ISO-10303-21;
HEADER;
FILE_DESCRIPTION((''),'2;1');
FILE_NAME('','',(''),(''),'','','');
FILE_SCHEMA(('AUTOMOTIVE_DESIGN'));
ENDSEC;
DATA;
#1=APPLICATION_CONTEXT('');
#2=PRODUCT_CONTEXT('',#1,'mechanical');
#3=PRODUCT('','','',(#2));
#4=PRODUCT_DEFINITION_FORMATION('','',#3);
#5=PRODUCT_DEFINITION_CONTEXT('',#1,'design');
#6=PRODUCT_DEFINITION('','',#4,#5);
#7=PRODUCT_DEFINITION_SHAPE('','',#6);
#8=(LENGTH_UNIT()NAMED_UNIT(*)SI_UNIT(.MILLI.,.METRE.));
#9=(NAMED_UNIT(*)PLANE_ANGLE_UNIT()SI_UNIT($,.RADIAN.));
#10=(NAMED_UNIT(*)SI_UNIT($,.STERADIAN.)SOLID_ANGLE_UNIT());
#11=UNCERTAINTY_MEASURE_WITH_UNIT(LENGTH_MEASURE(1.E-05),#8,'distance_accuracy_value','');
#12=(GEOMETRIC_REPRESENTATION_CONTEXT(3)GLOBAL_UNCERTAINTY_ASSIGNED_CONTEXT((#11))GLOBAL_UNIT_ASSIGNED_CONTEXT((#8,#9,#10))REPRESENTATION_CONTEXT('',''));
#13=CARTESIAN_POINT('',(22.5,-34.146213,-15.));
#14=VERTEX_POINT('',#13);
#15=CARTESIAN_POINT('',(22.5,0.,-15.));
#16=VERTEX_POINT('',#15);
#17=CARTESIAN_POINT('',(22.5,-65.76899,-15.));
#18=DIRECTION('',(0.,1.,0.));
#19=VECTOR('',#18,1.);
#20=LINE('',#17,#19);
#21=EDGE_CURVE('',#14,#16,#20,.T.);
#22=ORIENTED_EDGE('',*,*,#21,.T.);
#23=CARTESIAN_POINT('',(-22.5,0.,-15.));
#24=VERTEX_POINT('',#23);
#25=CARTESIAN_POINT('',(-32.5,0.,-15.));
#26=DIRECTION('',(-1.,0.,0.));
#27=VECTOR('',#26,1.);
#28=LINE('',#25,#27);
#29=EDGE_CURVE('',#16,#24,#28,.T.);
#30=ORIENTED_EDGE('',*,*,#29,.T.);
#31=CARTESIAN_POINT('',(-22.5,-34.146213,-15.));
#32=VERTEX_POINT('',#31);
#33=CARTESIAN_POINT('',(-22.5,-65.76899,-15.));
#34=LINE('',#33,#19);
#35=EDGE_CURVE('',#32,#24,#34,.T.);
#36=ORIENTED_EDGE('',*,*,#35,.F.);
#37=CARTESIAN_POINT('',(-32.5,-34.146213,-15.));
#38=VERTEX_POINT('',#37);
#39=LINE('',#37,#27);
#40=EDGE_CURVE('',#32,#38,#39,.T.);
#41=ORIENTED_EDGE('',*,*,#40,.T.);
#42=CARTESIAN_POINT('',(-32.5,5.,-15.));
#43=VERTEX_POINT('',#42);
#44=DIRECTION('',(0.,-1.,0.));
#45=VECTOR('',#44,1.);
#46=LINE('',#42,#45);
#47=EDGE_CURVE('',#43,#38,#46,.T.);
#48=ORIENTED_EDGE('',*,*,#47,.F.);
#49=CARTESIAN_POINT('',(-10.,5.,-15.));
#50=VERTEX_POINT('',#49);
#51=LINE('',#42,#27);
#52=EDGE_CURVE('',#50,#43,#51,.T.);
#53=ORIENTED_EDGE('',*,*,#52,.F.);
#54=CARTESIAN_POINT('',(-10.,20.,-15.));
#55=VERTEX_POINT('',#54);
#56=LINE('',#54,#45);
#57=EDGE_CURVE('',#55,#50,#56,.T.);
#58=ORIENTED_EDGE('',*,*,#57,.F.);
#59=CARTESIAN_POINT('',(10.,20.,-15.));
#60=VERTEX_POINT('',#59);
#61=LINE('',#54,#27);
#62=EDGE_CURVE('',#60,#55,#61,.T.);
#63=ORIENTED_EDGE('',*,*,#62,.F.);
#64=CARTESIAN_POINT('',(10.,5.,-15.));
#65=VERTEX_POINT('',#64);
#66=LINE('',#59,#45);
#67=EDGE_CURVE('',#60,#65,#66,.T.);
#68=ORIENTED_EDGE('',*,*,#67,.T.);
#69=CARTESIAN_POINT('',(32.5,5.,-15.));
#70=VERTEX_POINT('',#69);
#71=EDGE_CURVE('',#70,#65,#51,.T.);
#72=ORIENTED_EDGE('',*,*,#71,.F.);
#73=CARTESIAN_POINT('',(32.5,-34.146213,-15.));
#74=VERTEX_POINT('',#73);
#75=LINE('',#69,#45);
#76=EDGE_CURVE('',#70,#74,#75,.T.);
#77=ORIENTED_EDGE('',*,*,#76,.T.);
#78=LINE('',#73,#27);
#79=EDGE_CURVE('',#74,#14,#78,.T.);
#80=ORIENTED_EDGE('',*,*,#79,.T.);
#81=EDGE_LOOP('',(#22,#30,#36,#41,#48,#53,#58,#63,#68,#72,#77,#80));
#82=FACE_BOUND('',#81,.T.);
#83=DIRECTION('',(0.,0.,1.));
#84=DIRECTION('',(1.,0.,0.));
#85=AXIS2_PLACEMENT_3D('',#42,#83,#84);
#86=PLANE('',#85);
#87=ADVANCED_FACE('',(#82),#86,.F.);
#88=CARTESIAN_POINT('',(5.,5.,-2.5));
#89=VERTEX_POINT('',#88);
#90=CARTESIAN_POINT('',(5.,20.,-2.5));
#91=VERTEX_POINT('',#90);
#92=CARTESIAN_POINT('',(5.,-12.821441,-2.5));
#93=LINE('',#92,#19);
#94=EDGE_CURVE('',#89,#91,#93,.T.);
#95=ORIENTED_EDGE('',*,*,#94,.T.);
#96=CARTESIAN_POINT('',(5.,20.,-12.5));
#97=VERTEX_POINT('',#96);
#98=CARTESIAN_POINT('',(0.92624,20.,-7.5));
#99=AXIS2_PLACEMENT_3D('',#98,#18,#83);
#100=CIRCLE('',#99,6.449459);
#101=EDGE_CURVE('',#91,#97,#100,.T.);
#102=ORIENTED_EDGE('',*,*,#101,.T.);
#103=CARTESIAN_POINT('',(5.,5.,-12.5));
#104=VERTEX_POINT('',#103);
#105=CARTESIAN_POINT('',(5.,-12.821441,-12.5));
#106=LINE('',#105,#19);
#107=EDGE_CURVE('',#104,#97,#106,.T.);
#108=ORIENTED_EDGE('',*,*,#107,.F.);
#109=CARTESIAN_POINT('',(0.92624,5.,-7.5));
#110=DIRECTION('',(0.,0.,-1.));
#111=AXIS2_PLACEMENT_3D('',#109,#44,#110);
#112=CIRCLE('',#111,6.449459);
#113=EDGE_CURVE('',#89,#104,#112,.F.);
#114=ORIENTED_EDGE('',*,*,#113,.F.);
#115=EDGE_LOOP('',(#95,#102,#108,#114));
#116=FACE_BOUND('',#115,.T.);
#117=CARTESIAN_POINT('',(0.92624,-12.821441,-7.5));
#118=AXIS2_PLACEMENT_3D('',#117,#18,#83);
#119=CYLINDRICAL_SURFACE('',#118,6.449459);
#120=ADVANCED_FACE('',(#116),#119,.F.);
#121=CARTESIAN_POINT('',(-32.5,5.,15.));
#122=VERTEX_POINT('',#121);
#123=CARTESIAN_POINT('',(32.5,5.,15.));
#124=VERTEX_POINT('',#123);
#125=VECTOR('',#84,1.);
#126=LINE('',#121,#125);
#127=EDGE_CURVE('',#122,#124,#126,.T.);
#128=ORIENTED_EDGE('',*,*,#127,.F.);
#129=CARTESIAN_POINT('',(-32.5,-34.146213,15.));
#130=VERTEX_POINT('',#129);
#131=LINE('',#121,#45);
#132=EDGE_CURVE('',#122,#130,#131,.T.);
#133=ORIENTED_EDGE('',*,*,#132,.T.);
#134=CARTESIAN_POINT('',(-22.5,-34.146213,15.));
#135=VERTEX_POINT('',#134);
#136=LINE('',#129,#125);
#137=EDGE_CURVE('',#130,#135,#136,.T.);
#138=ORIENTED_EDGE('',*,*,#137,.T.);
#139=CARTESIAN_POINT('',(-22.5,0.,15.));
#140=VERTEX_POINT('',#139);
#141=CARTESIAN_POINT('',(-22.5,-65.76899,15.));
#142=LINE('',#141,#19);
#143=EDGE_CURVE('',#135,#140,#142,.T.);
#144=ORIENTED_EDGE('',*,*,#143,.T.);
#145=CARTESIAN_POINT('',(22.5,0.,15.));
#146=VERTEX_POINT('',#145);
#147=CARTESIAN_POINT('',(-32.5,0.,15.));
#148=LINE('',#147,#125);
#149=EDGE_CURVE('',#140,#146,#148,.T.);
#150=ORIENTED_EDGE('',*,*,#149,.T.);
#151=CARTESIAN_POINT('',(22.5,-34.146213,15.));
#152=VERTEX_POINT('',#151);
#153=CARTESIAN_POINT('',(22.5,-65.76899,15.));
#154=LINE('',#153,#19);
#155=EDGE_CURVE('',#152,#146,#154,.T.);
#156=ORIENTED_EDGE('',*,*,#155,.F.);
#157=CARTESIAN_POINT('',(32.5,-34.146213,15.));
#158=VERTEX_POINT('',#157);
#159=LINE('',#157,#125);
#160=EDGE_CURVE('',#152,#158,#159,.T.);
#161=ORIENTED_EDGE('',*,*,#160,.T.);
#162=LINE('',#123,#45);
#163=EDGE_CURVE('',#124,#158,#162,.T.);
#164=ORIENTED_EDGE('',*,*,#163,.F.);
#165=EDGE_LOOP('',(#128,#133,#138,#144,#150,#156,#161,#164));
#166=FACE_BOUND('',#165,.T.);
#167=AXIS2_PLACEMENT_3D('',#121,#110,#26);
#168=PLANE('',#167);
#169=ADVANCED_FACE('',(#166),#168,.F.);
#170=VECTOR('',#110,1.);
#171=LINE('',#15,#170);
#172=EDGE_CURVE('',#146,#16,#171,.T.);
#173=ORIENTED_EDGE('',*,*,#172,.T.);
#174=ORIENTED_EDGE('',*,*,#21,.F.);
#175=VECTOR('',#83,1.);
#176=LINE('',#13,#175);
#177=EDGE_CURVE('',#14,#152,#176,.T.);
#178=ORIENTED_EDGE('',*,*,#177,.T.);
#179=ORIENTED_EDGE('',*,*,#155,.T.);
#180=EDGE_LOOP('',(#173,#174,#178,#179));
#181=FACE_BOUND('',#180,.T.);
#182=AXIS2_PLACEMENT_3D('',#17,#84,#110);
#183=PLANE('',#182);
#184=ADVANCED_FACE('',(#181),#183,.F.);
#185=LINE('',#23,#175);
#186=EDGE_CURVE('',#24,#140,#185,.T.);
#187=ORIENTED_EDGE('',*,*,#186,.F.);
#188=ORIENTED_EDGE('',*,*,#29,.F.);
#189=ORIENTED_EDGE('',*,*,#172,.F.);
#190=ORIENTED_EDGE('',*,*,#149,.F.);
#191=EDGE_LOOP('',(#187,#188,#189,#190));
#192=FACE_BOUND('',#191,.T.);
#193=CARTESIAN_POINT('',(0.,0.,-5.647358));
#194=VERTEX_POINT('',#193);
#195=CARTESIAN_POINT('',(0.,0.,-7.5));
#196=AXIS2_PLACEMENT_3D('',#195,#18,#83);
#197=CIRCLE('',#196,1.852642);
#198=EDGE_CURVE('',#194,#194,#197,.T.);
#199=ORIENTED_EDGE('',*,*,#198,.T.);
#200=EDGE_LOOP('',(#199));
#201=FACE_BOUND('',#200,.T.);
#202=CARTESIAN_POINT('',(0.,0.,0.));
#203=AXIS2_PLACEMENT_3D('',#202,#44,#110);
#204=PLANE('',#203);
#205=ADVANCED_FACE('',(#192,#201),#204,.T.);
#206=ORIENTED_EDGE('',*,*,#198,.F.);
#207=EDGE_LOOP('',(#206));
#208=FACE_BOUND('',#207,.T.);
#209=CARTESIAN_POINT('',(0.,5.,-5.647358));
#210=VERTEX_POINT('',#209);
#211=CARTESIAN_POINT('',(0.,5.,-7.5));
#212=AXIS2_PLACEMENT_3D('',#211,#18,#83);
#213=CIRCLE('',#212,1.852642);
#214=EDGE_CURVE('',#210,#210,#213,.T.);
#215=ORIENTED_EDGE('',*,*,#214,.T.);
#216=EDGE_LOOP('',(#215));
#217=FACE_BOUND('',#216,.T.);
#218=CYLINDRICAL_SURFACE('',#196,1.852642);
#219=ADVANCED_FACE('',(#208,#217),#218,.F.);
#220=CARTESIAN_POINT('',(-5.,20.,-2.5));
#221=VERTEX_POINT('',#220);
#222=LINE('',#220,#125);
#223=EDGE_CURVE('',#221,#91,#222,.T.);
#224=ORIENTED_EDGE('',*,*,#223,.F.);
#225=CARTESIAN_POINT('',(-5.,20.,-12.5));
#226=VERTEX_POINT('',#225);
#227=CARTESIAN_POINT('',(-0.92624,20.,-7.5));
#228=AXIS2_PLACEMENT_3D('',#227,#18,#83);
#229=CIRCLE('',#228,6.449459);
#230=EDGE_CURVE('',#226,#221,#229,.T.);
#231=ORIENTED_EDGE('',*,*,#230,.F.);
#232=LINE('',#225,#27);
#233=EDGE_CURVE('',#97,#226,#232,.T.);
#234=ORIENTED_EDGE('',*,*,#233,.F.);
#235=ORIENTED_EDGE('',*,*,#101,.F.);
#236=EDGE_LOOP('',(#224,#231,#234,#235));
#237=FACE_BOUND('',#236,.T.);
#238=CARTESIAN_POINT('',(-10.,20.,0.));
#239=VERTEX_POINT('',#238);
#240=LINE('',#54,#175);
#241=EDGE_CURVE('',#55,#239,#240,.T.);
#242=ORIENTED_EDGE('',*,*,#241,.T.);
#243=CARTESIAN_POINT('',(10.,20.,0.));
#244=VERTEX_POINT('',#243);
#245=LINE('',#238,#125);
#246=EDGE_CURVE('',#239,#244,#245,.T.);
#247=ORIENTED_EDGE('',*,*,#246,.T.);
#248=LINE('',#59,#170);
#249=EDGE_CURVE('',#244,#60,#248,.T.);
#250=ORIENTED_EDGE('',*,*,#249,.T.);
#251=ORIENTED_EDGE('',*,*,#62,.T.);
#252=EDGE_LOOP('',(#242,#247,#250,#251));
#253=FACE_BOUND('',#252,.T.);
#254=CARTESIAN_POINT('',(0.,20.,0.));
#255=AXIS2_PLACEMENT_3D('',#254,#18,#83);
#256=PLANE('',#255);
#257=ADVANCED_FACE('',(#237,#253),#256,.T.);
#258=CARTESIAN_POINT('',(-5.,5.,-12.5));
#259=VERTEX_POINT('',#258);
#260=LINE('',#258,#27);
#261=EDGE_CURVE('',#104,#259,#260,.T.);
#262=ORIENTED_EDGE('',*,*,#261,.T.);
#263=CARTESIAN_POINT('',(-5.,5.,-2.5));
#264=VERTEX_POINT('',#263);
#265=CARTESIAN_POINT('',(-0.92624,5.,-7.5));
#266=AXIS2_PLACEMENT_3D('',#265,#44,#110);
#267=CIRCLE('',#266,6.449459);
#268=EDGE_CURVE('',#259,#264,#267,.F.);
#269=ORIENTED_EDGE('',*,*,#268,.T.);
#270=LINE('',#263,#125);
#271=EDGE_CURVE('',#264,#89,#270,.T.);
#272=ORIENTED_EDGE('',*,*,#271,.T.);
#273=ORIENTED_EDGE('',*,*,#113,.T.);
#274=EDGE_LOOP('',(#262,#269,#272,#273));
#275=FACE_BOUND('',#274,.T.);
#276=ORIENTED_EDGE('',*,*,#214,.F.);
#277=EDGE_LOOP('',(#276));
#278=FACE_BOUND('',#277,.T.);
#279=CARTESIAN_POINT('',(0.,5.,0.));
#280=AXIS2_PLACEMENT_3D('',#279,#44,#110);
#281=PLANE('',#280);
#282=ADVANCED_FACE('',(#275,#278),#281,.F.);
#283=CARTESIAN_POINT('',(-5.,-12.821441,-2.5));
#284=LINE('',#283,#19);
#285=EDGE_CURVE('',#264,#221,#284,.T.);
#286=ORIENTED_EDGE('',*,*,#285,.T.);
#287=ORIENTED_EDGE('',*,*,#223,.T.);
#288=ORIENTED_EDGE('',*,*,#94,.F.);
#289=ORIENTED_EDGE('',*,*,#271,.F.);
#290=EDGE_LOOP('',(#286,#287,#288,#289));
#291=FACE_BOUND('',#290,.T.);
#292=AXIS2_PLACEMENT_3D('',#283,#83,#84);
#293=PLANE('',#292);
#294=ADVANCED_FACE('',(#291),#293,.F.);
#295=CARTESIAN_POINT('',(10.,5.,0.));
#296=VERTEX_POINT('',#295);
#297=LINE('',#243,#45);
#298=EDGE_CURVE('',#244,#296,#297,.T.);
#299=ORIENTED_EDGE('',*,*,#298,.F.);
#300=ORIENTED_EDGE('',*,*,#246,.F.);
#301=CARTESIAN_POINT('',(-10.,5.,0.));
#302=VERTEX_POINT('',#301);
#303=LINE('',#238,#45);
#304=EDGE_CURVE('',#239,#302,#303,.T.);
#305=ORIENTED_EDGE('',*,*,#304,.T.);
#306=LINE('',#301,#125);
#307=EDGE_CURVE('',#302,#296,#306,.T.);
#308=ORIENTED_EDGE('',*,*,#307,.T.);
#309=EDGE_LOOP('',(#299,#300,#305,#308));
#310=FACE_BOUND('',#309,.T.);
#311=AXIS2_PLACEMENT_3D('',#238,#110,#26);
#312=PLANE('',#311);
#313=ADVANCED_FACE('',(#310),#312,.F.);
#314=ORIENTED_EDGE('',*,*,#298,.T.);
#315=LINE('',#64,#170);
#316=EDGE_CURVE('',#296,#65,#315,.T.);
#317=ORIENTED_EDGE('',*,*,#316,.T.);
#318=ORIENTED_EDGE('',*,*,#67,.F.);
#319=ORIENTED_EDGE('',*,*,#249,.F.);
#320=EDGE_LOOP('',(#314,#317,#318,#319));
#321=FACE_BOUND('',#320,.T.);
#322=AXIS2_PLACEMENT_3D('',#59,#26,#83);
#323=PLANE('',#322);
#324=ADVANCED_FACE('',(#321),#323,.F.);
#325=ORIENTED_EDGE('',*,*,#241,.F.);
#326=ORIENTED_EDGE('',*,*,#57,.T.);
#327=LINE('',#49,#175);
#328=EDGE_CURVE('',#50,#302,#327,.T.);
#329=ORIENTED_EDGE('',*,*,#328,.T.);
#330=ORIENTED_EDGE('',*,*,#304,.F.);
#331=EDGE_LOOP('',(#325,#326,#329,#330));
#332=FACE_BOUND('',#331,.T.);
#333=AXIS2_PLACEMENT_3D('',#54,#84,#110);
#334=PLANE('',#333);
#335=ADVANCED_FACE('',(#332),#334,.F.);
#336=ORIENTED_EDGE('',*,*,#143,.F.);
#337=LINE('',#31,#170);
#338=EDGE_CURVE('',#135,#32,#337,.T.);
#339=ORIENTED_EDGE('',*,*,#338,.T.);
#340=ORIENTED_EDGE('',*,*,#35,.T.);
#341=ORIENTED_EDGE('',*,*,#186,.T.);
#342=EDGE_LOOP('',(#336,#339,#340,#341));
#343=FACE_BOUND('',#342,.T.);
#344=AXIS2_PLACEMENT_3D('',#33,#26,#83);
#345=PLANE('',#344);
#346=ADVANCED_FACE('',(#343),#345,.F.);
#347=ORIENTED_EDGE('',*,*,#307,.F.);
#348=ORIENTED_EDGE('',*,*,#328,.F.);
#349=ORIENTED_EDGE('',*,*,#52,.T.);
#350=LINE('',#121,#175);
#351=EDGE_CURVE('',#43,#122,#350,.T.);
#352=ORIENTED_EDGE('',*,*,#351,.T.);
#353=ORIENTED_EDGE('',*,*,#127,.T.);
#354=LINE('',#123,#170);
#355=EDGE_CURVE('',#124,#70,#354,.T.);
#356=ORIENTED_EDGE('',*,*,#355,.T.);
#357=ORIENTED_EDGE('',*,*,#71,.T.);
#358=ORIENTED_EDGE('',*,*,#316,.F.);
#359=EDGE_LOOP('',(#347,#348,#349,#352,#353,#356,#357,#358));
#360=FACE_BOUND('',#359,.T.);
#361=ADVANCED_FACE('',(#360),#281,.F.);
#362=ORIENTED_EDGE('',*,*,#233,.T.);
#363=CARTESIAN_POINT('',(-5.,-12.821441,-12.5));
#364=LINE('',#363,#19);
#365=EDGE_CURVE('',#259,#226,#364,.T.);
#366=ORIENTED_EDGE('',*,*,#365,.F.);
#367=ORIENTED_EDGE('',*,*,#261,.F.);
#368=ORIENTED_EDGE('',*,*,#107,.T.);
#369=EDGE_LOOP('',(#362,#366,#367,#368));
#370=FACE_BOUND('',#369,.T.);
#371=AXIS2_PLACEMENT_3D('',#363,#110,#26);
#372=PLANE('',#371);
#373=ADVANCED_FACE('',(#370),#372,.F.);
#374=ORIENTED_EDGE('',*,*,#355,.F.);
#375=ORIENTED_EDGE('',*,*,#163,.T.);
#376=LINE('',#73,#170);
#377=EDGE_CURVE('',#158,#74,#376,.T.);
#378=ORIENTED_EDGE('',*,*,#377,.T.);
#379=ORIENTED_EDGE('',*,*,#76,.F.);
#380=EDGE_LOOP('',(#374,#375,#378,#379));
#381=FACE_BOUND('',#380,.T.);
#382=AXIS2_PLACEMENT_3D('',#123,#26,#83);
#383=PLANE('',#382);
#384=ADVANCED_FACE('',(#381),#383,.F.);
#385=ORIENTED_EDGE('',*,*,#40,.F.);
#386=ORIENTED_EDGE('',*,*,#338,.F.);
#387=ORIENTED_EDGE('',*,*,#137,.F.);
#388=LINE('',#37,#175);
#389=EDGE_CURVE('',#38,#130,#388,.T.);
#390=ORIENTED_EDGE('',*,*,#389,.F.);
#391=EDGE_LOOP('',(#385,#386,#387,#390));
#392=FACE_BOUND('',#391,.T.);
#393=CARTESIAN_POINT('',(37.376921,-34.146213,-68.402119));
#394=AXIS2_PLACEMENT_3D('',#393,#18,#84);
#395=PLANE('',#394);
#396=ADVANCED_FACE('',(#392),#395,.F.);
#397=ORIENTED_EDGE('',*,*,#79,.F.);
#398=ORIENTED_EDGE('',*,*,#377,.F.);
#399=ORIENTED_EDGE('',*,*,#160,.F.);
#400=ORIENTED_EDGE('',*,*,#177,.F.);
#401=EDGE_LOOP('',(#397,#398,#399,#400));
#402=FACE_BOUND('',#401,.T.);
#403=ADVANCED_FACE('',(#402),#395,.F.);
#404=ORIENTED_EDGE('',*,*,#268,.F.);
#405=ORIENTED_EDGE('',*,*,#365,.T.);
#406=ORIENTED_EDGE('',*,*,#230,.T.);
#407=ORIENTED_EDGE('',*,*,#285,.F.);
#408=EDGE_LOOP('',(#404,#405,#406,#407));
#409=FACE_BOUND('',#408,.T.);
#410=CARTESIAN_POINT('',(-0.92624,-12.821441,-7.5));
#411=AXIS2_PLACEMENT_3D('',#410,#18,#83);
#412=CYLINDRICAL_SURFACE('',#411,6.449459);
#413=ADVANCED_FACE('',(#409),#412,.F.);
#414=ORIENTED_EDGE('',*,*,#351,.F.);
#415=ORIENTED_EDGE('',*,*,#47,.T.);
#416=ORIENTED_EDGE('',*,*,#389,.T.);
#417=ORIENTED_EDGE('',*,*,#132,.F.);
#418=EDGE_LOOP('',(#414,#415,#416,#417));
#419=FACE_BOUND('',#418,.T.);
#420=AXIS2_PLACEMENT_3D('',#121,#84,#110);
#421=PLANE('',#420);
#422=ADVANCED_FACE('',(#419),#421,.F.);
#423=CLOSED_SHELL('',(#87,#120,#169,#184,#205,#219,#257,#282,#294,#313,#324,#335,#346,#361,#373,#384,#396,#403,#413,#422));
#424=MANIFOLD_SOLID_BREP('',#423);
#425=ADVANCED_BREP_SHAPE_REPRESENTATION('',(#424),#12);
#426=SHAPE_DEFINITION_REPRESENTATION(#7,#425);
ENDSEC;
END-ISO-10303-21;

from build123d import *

# Parameters (mm, degrees)
SKETCH1_W           = 65
SKETCH1_H           = 30
BOSS_EXTRUDE1_DEPTH = 5
SKETCH2_W           = 20
SKETCH2_H           = 15
BOSS_EXTRUDE2_DEPTH = 15
CUT_EXTRUDE1_DEPTH  = 15
SKETCH4_R           = 1.852641707
CUT_EXTRUDE2_DEPTH  = 39.810436741
SKETCH5_W           = 10
SKETCH5_H           = 30
BOSS_EXTRUDE3_DEPTH = 34.146213


with BuildPart() as part:
    # Sketch1 → Boss-Extrude1 (new body)
    with BuildSketch(Plane(origin=(0, 0, 0), x_dir=(1, 0, 0), z_dir=(0, 1, 0))):
        Rectangle(SKETCH1_W, SKETCH1_H)
    extrude(amount=BOSS_EXTRUDE1_DEPTH)

    # Sketch2 → Boss-Extrude2 (add)
    with BuildSketch(Plane(origin=(0, 5, 0), x_dir=(1, 0, 0), z_dir=(0, 1, 0))):
        with Locations((0, 7.5)):
            Rectangle(SKETCH2_W, SKETCH2_H)
    extrude(amount=BOSS_EXTRUDE2_DEPTH)

    # Sketch3 → Cut-Extrude1 (cut)
    with BuildSketch(Plane(origin=(0, 20, 0), x_dir=(1, 0, 0), z_dir=(0, 1, 0))):
        with BuildLine():
            Line((-5, 2.5), (5, 2.5))
            ThreePointArc((5, 2.5), (7.375699039, 7.5), (5, 12.5))
            Line((5, 12.5), (-5, 12.5))
            ThreePointArc((-5, 12.5), (-7.375699039, 7.5), (-5, 2.5))
        make_face()
    extrude(amount=-CUT_EXTRUDE1_DEPTH, mode=Mode.SUBTRACT)

    # Sketch4 → Cut-Extrude2 (cut, through all)
    with BuildSketch(Plane(origin=(0, 5, 0), x_dir=(1, 0, 0), z_dir=(0, 1, 0))):
        with Locations(Location((0, 7.5, 0), (0, 0, 270))):
            Circle(SKETCH4_R)
    extrude(amount=-CUT_EXTRUDE2_DEPTH, mode=Mode.SUBTRACT)

    # Sketch5 → Boss-Extrude3 (add)
    with BuildSketch(Plane.XZ):
        with Locations((27.5, 0)):
            Rectangle(SKETCH5_W, SKETCH5_H)
        with Locations((-27.5, 0)):
            Rectangle(SKETCH5_W, SKETCH5_H)
    extrude(amount=BOSS_EXTRUDE3_DEPTH)


solid = part.part
